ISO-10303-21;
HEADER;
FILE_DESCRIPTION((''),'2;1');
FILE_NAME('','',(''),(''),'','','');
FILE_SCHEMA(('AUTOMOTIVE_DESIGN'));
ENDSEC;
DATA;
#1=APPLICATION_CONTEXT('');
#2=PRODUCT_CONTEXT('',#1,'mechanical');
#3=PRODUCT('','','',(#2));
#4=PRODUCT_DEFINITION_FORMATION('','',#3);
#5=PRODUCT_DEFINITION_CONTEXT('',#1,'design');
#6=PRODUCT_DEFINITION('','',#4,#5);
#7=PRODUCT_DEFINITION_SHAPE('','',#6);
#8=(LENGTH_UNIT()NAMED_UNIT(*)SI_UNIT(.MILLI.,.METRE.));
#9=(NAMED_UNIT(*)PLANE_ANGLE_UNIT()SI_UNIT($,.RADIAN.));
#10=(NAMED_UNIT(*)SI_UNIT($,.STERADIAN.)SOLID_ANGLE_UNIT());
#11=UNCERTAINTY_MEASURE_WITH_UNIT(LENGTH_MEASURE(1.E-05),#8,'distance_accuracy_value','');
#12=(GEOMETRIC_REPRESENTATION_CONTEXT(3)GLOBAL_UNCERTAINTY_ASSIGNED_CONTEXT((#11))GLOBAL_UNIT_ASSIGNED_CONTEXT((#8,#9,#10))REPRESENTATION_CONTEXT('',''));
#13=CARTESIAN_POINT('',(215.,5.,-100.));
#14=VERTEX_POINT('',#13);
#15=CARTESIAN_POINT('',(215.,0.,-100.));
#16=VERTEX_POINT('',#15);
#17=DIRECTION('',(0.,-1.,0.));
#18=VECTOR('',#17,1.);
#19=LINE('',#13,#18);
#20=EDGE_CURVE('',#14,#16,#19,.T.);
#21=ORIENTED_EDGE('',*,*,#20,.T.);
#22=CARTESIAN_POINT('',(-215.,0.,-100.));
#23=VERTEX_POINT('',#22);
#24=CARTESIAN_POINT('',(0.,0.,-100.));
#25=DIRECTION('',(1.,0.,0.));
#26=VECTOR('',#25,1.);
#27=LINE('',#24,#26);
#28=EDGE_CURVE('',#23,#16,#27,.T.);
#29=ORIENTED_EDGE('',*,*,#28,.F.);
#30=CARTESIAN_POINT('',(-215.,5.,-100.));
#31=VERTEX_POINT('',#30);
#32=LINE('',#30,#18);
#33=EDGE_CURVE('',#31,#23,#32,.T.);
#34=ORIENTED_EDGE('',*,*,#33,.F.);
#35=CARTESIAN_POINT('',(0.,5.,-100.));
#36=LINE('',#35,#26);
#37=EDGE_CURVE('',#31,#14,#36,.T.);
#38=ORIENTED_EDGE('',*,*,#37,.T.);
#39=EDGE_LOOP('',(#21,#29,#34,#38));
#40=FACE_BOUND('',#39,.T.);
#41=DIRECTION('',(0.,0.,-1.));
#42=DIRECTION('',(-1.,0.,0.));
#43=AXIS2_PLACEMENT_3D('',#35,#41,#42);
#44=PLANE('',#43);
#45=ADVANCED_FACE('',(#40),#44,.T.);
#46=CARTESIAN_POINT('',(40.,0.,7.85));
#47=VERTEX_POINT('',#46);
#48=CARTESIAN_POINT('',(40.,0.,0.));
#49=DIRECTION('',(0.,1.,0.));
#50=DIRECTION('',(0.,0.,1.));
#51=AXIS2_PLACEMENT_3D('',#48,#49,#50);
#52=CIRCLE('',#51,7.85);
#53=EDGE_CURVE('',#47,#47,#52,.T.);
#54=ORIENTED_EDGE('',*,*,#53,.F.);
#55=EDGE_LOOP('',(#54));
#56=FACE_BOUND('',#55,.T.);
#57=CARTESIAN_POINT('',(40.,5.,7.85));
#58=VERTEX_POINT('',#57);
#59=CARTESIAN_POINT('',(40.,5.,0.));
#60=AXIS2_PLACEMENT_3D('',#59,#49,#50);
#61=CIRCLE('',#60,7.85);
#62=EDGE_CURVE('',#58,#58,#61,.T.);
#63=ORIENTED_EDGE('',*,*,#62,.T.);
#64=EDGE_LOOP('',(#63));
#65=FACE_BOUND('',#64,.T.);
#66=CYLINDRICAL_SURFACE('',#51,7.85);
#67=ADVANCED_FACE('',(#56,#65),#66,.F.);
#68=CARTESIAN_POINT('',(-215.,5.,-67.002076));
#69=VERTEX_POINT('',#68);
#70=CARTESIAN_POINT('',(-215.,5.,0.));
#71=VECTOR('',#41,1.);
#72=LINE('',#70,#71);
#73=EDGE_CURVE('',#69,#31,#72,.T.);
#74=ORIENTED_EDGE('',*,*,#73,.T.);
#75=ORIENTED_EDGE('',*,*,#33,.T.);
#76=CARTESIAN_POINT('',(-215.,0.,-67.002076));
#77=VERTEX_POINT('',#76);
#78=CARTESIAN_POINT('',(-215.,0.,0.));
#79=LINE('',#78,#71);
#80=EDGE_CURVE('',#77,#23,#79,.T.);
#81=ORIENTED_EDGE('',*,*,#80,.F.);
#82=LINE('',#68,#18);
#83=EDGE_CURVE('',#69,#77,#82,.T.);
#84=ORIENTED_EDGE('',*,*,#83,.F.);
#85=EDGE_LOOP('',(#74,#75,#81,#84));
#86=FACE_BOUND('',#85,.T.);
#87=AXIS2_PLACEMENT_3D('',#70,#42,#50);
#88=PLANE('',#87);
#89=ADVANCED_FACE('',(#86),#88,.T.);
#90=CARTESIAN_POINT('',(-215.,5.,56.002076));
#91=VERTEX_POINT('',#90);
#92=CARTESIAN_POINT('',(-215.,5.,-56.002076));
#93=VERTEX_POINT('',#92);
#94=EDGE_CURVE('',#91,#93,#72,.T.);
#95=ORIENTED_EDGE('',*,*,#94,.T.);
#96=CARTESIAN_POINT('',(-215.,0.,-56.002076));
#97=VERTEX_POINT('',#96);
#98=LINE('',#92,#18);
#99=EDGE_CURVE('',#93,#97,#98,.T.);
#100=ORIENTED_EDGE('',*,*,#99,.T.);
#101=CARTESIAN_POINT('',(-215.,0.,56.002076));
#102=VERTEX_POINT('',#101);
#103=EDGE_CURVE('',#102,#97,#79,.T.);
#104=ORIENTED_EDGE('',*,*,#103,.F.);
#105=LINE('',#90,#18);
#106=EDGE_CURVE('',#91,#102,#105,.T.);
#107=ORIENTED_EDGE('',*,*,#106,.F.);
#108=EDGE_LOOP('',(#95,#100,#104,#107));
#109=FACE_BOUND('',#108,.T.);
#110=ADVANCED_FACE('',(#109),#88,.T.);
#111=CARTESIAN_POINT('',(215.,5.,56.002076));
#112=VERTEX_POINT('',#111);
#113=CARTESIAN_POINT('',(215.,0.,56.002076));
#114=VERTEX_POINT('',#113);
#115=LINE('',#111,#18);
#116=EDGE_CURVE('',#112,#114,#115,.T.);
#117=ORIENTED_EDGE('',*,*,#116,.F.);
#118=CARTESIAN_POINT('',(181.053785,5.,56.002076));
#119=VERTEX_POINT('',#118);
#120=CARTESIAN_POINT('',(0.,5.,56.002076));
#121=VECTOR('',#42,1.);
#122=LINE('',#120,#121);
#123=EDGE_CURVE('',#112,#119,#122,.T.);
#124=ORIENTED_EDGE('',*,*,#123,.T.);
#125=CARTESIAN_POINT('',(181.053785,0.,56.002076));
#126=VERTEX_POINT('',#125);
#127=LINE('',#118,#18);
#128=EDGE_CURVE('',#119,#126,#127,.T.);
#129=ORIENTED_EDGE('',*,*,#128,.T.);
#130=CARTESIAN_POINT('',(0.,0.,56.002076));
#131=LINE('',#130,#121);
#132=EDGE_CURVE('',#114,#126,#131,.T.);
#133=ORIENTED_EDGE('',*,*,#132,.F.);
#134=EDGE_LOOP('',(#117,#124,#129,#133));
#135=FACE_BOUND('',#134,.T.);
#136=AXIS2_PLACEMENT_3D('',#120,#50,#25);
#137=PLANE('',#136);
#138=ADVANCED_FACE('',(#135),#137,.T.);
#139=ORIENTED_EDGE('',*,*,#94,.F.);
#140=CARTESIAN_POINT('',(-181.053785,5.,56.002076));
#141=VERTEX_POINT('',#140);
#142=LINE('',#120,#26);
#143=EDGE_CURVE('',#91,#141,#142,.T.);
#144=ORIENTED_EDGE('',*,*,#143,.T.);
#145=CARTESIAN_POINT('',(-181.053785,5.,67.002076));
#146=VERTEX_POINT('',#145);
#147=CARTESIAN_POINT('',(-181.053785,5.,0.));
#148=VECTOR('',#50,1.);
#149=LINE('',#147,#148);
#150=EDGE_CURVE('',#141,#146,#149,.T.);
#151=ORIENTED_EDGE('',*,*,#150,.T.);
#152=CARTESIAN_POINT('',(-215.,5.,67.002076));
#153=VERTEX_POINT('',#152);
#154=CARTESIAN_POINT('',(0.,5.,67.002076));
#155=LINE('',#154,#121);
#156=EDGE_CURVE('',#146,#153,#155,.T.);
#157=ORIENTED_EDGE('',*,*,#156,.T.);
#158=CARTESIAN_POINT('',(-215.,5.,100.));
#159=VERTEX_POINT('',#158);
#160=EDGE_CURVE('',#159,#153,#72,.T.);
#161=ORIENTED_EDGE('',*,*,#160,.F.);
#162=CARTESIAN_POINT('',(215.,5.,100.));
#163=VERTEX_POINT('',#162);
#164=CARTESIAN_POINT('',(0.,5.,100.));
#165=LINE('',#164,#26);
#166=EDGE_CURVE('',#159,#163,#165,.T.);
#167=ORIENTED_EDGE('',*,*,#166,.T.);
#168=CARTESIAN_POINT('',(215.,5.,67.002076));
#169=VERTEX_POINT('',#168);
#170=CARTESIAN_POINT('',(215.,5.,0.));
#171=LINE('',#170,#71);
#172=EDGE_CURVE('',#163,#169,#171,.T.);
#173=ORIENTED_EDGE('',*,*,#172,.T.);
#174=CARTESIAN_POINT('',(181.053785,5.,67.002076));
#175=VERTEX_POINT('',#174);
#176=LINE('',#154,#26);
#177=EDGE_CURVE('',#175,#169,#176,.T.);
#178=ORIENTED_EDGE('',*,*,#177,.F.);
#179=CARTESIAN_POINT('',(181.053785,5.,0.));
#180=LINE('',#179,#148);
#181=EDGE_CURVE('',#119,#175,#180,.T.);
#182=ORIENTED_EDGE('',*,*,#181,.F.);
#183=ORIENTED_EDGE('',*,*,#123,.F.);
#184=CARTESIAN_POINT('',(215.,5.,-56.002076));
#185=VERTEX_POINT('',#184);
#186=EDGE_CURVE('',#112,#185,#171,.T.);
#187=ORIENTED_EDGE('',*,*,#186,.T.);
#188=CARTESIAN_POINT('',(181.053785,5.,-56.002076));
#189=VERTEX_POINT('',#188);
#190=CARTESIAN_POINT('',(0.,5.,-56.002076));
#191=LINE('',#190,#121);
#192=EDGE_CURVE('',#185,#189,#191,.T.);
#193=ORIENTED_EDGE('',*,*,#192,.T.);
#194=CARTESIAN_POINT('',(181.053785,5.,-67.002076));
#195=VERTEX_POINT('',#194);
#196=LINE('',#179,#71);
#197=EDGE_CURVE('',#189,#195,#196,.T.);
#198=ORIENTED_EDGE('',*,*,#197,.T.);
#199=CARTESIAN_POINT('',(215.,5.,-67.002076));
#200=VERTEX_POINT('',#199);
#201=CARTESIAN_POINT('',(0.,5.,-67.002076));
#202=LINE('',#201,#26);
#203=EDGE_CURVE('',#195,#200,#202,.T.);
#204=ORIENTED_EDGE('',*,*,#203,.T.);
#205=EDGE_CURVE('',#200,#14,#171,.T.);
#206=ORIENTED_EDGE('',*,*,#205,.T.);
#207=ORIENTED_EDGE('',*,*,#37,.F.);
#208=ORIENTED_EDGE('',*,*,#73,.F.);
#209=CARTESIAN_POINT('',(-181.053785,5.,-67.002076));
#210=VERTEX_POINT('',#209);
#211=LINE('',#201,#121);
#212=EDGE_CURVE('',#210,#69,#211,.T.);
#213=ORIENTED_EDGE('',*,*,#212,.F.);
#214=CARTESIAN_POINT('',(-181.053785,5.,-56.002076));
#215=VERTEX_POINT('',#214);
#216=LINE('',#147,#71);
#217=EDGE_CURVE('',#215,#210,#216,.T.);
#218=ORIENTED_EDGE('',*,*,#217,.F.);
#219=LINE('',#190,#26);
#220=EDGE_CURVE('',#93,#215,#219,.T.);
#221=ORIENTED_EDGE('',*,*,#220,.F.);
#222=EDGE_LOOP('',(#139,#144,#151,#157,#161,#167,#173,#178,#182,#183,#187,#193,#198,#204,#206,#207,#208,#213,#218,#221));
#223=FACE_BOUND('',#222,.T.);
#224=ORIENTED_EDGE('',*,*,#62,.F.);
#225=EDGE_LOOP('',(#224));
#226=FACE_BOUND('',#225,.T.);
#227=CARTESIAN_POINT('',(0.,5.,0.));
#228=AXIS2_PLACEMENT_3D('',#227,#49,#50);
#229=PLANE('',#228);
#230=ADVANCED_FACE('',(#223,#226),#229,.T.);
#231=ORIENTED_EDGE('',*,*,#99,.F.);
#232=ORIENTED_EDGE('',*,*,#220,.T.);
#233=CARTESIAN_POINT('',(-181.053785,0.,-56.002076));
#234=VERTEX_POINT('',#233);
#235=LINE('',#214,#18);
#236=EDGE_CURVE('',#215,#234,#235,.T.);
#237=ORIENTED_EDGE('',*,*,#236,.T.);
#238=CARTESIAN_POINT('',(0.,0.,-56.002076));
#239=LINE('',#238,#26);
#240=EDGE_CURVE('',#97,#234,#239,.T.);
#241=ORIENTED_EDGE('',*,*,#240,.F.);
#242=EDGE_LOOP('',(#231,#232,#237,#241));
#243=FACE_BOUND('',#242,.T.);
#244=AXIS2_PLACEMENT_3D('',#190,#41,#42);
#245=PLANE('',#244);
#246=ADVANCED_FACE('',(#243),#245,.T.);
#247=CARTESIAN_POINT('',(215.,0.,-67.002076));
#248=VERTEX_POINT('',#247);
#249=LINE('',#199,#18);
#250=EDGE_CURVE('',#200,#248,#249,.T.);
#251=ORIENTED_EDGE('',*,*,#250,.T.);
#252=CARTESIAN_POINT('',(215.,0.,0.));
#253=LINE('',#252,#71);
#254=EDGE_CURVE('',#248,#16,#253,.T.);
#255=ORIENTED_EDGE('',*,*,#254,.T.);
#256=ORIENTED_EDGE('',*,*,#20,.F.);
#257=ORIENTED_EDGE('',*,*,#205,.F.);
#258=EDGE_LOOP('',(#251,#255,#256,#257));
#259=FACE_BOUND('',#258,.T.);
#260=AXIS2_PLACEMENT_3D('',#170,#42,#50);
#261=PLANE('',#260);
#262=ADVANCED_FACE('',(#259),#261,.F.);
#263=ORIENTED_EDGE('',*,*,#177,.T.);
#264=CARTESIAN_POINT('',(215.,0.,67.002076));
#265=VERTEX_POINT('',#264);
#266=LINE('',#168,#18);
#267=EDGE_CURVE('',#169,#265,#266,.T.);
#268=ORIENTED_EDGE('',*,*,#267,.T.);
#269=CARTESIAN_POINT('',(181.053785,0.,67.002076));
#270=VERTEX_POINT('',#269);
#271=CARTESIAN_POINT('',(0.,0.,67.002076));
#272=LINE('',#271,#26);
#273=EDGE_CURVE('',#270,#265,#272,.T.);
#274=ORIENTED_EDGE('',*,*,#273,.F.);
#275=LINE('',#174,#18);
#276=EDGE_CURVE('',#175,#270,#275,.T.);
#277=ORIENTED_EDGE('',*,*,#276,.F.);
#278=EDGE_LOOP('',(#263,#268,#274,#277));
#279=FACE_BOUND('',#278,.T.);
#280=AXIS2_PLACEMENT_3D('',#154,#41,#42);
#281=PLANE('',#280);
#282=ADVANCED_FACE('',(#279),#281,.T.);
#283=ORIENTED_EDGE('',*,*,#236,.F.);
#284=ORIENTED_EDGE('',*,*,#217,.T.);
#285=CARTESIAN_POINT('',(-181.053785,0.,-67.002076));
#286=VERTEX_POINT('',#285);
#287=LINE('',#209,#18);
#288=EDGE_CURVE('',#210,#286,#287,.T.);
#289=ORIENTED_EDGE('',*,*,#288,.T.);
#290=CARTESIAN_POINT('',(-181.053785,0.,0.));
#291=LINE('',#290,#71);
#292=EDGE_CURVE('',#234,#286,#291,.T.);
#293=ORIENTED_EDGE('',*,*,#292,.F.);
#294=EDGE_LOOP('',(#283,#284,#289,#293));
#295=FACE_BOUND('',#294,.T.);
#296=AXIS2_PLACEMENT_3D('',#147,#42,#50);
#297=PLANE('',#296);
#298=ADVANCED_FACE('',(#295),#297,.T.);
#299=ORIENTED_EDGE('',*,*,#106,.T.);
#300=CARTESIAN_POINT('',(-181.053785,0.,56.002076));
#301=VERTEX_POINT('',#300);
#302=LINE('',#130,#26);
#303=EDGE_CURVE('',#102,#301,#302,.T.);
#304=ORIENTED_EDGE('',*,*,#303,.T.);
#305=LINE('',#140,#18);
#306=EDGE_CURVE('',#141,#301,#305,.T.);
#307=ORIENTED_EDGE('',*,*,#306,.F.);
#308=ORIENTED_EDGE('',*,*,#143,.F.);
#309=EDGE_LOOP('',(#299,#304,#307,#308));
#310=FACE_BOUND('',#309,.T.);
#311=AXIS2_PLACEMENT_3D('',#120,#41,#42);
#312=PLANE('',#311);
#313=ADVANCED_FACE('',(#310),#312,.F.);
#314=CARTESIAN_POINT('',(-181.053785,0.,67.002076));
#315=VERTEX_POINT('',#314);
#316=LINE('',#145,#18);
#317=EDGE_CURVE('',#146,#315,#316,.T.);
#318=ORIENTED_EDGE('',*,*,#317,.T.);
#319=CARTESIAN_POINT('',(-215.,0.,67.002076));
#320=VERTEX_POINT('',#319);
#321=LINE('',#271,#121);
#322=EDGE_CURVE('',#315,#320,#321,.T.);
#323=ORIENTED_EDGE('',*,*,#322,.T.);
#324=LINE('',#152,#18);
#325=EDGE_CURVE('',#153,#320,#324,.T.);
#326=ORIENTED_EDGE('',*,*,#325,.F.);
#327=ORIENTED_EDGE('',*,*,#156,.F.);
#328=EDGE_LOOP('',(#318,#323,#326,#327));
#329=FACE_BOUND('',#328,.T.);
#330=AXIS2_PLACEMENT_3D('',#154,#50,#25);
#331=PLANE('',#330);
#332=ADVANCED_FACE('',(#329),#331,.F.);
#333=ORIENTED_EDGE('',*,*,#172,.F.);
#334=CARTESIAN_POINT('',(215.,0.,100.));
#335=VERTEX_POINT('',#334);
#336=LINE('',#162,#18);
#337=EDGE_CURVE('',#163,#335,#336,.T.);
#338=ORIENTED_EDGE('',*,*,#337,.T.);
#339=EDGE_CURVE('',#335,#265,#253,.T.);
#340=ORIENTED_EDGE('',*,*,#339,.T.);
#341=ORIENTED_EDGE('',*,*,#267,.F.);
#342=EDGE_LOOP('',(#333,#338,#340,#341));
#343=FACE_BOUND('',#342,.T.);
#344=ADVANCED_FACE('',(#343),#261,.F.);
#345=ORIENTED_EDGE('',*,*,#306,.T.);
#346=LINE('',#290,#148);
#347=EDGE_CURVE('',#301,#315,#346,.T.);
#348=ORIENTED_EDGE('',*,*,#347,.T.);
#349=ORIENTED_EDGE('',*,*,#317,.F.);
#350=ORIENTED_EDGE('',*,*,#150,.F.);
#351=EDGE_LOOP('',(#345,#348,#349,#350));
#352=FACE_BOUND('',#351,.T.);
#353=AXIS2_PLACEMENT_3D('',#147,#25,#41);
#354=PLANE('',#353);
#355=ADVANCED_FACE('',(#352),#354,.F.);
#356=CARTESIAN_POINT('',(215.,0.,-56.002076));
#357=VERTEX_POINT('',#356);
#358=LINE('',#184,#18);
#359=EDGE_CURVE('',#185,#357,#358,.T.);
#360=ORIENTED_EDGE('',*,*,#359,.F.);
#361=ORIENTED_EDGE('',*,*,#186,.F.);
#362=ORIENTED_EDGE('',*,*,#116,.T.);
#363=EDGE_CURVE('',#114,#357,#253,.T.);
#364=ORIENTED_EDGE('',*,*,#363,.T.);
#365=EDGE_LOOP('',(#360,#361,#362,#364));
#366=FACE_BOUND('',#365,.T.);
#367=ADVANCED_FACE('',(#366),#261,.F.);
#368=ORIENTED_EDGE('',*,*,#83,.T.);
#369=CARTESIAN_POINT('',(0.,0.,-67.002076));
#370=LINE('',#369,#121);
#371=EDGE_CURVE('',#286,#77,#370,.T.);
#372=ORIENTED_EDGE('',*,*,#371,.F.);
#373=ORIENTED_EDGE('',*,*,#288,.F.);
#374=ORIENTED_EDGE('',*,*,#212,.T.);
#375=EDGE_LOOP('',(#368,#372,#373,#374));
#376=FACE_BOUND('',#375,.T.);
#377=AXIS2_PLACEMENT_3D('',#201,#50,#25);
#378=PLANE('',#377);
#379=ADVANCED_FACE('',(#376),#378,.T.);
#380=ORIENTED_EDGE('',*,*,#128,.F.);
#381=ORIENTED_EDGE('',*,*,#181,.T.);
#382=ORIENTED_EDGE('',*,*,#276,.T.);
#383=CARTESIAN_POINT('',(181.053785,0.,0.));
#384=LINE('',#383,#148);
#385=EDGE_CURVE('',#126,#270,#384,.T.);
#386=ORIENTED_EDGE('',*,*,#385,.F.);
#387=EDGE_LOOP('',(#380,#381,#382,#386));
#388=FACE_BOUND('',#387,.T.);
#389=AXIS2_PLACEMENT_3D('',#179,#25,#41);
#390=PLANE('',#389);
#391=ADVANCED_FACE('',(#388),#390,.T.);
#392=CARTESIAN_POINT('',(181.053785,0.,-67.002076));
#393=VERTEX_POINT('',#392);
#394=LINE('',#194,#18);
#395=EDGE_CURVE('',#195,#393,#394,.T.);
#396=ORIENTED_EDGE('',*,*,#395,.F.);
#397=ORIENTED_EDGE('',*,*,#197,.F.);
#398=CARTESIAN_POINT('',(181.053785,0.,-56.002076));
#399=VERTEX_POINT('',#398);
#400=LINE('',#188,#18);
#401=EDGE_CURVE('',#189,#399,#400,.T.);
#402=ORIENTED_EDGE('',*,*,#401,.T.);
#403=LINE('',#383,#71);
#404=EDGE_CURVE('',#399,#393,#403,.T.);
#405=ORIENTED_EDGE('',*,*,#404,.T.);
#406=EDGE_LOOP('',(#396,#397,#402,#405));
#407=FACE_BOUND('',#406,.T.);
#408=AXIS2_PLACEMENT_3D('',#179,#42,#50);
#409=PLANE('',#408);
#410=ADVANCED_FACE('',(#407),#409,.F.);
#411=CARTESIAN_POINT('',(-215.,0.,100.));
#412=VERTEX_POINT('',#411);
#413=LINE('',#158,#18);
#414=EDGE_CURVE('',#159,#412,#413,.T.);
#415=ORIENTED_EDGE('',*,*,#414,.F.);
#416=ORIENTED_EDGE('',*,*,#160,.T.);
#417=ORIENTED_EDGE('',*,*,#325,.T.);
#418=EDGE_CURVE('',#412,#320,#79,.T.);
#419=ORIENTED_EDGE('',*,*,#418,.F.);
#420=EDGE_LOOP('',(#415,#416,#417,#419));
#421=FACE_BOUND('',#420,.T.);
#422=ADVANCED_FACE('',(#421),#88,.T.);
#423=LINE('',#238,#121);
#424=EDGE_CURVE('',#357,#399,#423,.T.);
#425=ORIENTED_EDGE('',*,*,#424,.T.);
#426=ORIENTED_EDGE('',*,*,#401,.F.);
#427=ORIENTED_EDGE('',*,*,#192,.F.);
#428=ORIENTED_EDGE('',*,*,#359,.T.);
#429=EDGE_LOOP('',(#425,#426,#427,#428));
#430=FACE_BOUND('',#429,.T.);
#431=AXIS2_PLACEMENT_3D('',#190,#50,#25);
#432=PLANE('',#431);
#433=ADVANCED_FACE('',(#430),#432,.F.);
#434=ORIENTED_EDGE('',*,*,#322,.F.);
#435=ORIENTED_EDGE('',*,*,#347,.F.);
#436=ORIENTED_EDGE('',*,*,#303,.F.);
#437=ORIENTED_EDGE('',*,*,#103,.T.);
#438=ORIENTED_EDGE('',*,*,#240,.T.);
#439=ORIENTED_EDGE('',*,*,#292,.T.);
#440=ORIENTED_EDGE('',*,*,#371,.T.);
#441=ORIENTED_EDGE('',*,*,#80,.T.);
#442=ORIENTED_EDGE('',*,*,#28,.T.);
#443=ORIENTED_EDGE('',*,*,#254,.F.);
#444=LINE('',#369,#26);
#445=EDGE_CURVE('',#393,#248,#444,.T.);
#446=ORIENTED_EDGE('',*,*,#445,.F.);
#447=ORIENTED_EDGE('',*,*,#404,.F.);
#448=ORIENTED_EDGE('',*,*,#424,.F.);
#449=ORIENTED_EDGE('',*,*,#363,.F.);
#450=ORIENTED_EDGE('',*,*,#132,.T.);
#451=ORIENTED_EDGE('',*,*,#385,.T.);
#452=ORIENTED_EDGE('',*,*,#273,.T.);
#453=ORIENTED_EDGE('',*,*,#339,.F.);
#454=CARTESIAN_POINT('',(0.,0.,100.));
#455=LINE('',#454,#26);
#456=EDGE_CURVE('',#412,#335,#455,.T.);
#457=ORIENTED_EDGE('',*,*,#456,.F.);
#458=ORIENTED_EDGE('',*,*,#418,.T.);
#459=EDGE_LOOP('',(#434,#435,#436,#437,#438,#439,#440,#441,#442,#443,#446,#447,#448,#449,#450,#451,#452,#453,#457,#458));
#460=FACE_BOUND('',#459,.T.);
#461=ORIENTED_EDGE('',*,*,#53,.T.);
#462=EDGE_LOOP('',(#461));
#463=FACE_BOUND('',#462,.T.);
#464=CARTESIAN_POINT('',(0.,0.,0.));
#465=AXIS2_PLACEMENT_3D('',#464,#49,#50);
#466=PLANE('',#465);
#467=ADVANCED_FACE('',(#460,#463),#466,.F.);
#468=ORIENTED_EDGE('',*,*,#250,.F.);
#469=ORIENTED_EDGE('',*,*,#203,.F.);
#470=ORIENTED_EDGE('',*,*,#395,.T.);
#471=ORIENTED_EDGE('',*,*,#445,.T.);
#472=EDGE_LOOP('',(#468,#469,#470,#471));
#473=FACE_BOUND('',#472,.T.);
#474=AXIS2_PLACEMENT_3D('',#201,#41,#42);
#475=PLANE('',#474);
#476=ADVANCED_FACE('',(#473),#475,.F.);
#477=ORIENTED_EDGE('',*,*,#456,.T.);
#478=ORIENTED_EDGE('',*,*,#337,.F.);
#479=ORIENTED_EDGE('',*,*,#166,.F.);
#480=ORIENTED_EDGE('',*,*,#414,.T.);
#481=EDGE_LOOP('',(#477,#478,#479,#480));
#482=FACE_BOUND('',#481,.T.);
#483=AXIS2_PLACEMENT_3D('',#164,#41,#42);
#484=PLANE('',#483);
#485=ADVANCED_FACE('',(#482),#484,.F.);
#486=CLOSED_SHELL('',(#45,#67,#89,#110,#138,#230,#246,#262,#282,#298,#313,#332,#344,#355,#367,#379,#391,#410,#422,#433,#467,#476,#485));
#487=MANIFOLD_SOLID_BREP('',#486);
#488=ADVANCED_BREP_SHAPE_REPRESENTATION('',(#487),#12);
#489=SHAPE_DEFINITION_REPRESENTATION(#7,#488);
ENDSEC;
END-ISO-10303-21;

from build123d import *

# Parameters (mm, degrees)
BOSS_EXTRUDE1_DEPTH = 5
SKETCH2_R           = 7.85
CUT_EXTRUDE1_DEPTH  = 238.170824513


with BuildPart() as part:
    # Sketch1 → Boss-Extrude1 (new body)
    with BuildSketch(Plane(origin=(0, 0, 0), x_dir=(1, 0, 0), z_dir=(0, 1, 0))):
        Polygon((-215, -67.002075658), (-215, -100), (215, -100), (215, -67.002075658), (181.053785401, -67.002075658), (181.053785401, -56.002075658), (215, -56.002075658), (215, 56.002075658), (181.053785401, 56.002075658), (181.053785401, 67.002075658), (215, 67.002075658), (215, 100), (-215, 100), (-215, 67.002075658), (-181.053785401, 67.002075658), (-181.053785401, 56.002075658), (-215, 56.002075658), (-215, -56.002075658), (-181.053785401, -56.002075658), (-181.053785401, -67.002075658), align=None)
    extrude(amount=BOSS_EXTRUDE1_DEPTH)

    # Sketch2 → Cut-Extrude1 (cut, through all)
    with BuildSketch(Plane(origin=(0, 5, 0), x_dir=(1, 0, 0), z_dir=(0, 1, 0))):
        with Locations(Location((40, 0, 0), (0, 0, 270))):
            Circle(SKETCH2_R)
    extrude(amount=-CUT_EXTRUDE1_DEPTH, mode=Mode.SUBTRACT)


solid = part.part
